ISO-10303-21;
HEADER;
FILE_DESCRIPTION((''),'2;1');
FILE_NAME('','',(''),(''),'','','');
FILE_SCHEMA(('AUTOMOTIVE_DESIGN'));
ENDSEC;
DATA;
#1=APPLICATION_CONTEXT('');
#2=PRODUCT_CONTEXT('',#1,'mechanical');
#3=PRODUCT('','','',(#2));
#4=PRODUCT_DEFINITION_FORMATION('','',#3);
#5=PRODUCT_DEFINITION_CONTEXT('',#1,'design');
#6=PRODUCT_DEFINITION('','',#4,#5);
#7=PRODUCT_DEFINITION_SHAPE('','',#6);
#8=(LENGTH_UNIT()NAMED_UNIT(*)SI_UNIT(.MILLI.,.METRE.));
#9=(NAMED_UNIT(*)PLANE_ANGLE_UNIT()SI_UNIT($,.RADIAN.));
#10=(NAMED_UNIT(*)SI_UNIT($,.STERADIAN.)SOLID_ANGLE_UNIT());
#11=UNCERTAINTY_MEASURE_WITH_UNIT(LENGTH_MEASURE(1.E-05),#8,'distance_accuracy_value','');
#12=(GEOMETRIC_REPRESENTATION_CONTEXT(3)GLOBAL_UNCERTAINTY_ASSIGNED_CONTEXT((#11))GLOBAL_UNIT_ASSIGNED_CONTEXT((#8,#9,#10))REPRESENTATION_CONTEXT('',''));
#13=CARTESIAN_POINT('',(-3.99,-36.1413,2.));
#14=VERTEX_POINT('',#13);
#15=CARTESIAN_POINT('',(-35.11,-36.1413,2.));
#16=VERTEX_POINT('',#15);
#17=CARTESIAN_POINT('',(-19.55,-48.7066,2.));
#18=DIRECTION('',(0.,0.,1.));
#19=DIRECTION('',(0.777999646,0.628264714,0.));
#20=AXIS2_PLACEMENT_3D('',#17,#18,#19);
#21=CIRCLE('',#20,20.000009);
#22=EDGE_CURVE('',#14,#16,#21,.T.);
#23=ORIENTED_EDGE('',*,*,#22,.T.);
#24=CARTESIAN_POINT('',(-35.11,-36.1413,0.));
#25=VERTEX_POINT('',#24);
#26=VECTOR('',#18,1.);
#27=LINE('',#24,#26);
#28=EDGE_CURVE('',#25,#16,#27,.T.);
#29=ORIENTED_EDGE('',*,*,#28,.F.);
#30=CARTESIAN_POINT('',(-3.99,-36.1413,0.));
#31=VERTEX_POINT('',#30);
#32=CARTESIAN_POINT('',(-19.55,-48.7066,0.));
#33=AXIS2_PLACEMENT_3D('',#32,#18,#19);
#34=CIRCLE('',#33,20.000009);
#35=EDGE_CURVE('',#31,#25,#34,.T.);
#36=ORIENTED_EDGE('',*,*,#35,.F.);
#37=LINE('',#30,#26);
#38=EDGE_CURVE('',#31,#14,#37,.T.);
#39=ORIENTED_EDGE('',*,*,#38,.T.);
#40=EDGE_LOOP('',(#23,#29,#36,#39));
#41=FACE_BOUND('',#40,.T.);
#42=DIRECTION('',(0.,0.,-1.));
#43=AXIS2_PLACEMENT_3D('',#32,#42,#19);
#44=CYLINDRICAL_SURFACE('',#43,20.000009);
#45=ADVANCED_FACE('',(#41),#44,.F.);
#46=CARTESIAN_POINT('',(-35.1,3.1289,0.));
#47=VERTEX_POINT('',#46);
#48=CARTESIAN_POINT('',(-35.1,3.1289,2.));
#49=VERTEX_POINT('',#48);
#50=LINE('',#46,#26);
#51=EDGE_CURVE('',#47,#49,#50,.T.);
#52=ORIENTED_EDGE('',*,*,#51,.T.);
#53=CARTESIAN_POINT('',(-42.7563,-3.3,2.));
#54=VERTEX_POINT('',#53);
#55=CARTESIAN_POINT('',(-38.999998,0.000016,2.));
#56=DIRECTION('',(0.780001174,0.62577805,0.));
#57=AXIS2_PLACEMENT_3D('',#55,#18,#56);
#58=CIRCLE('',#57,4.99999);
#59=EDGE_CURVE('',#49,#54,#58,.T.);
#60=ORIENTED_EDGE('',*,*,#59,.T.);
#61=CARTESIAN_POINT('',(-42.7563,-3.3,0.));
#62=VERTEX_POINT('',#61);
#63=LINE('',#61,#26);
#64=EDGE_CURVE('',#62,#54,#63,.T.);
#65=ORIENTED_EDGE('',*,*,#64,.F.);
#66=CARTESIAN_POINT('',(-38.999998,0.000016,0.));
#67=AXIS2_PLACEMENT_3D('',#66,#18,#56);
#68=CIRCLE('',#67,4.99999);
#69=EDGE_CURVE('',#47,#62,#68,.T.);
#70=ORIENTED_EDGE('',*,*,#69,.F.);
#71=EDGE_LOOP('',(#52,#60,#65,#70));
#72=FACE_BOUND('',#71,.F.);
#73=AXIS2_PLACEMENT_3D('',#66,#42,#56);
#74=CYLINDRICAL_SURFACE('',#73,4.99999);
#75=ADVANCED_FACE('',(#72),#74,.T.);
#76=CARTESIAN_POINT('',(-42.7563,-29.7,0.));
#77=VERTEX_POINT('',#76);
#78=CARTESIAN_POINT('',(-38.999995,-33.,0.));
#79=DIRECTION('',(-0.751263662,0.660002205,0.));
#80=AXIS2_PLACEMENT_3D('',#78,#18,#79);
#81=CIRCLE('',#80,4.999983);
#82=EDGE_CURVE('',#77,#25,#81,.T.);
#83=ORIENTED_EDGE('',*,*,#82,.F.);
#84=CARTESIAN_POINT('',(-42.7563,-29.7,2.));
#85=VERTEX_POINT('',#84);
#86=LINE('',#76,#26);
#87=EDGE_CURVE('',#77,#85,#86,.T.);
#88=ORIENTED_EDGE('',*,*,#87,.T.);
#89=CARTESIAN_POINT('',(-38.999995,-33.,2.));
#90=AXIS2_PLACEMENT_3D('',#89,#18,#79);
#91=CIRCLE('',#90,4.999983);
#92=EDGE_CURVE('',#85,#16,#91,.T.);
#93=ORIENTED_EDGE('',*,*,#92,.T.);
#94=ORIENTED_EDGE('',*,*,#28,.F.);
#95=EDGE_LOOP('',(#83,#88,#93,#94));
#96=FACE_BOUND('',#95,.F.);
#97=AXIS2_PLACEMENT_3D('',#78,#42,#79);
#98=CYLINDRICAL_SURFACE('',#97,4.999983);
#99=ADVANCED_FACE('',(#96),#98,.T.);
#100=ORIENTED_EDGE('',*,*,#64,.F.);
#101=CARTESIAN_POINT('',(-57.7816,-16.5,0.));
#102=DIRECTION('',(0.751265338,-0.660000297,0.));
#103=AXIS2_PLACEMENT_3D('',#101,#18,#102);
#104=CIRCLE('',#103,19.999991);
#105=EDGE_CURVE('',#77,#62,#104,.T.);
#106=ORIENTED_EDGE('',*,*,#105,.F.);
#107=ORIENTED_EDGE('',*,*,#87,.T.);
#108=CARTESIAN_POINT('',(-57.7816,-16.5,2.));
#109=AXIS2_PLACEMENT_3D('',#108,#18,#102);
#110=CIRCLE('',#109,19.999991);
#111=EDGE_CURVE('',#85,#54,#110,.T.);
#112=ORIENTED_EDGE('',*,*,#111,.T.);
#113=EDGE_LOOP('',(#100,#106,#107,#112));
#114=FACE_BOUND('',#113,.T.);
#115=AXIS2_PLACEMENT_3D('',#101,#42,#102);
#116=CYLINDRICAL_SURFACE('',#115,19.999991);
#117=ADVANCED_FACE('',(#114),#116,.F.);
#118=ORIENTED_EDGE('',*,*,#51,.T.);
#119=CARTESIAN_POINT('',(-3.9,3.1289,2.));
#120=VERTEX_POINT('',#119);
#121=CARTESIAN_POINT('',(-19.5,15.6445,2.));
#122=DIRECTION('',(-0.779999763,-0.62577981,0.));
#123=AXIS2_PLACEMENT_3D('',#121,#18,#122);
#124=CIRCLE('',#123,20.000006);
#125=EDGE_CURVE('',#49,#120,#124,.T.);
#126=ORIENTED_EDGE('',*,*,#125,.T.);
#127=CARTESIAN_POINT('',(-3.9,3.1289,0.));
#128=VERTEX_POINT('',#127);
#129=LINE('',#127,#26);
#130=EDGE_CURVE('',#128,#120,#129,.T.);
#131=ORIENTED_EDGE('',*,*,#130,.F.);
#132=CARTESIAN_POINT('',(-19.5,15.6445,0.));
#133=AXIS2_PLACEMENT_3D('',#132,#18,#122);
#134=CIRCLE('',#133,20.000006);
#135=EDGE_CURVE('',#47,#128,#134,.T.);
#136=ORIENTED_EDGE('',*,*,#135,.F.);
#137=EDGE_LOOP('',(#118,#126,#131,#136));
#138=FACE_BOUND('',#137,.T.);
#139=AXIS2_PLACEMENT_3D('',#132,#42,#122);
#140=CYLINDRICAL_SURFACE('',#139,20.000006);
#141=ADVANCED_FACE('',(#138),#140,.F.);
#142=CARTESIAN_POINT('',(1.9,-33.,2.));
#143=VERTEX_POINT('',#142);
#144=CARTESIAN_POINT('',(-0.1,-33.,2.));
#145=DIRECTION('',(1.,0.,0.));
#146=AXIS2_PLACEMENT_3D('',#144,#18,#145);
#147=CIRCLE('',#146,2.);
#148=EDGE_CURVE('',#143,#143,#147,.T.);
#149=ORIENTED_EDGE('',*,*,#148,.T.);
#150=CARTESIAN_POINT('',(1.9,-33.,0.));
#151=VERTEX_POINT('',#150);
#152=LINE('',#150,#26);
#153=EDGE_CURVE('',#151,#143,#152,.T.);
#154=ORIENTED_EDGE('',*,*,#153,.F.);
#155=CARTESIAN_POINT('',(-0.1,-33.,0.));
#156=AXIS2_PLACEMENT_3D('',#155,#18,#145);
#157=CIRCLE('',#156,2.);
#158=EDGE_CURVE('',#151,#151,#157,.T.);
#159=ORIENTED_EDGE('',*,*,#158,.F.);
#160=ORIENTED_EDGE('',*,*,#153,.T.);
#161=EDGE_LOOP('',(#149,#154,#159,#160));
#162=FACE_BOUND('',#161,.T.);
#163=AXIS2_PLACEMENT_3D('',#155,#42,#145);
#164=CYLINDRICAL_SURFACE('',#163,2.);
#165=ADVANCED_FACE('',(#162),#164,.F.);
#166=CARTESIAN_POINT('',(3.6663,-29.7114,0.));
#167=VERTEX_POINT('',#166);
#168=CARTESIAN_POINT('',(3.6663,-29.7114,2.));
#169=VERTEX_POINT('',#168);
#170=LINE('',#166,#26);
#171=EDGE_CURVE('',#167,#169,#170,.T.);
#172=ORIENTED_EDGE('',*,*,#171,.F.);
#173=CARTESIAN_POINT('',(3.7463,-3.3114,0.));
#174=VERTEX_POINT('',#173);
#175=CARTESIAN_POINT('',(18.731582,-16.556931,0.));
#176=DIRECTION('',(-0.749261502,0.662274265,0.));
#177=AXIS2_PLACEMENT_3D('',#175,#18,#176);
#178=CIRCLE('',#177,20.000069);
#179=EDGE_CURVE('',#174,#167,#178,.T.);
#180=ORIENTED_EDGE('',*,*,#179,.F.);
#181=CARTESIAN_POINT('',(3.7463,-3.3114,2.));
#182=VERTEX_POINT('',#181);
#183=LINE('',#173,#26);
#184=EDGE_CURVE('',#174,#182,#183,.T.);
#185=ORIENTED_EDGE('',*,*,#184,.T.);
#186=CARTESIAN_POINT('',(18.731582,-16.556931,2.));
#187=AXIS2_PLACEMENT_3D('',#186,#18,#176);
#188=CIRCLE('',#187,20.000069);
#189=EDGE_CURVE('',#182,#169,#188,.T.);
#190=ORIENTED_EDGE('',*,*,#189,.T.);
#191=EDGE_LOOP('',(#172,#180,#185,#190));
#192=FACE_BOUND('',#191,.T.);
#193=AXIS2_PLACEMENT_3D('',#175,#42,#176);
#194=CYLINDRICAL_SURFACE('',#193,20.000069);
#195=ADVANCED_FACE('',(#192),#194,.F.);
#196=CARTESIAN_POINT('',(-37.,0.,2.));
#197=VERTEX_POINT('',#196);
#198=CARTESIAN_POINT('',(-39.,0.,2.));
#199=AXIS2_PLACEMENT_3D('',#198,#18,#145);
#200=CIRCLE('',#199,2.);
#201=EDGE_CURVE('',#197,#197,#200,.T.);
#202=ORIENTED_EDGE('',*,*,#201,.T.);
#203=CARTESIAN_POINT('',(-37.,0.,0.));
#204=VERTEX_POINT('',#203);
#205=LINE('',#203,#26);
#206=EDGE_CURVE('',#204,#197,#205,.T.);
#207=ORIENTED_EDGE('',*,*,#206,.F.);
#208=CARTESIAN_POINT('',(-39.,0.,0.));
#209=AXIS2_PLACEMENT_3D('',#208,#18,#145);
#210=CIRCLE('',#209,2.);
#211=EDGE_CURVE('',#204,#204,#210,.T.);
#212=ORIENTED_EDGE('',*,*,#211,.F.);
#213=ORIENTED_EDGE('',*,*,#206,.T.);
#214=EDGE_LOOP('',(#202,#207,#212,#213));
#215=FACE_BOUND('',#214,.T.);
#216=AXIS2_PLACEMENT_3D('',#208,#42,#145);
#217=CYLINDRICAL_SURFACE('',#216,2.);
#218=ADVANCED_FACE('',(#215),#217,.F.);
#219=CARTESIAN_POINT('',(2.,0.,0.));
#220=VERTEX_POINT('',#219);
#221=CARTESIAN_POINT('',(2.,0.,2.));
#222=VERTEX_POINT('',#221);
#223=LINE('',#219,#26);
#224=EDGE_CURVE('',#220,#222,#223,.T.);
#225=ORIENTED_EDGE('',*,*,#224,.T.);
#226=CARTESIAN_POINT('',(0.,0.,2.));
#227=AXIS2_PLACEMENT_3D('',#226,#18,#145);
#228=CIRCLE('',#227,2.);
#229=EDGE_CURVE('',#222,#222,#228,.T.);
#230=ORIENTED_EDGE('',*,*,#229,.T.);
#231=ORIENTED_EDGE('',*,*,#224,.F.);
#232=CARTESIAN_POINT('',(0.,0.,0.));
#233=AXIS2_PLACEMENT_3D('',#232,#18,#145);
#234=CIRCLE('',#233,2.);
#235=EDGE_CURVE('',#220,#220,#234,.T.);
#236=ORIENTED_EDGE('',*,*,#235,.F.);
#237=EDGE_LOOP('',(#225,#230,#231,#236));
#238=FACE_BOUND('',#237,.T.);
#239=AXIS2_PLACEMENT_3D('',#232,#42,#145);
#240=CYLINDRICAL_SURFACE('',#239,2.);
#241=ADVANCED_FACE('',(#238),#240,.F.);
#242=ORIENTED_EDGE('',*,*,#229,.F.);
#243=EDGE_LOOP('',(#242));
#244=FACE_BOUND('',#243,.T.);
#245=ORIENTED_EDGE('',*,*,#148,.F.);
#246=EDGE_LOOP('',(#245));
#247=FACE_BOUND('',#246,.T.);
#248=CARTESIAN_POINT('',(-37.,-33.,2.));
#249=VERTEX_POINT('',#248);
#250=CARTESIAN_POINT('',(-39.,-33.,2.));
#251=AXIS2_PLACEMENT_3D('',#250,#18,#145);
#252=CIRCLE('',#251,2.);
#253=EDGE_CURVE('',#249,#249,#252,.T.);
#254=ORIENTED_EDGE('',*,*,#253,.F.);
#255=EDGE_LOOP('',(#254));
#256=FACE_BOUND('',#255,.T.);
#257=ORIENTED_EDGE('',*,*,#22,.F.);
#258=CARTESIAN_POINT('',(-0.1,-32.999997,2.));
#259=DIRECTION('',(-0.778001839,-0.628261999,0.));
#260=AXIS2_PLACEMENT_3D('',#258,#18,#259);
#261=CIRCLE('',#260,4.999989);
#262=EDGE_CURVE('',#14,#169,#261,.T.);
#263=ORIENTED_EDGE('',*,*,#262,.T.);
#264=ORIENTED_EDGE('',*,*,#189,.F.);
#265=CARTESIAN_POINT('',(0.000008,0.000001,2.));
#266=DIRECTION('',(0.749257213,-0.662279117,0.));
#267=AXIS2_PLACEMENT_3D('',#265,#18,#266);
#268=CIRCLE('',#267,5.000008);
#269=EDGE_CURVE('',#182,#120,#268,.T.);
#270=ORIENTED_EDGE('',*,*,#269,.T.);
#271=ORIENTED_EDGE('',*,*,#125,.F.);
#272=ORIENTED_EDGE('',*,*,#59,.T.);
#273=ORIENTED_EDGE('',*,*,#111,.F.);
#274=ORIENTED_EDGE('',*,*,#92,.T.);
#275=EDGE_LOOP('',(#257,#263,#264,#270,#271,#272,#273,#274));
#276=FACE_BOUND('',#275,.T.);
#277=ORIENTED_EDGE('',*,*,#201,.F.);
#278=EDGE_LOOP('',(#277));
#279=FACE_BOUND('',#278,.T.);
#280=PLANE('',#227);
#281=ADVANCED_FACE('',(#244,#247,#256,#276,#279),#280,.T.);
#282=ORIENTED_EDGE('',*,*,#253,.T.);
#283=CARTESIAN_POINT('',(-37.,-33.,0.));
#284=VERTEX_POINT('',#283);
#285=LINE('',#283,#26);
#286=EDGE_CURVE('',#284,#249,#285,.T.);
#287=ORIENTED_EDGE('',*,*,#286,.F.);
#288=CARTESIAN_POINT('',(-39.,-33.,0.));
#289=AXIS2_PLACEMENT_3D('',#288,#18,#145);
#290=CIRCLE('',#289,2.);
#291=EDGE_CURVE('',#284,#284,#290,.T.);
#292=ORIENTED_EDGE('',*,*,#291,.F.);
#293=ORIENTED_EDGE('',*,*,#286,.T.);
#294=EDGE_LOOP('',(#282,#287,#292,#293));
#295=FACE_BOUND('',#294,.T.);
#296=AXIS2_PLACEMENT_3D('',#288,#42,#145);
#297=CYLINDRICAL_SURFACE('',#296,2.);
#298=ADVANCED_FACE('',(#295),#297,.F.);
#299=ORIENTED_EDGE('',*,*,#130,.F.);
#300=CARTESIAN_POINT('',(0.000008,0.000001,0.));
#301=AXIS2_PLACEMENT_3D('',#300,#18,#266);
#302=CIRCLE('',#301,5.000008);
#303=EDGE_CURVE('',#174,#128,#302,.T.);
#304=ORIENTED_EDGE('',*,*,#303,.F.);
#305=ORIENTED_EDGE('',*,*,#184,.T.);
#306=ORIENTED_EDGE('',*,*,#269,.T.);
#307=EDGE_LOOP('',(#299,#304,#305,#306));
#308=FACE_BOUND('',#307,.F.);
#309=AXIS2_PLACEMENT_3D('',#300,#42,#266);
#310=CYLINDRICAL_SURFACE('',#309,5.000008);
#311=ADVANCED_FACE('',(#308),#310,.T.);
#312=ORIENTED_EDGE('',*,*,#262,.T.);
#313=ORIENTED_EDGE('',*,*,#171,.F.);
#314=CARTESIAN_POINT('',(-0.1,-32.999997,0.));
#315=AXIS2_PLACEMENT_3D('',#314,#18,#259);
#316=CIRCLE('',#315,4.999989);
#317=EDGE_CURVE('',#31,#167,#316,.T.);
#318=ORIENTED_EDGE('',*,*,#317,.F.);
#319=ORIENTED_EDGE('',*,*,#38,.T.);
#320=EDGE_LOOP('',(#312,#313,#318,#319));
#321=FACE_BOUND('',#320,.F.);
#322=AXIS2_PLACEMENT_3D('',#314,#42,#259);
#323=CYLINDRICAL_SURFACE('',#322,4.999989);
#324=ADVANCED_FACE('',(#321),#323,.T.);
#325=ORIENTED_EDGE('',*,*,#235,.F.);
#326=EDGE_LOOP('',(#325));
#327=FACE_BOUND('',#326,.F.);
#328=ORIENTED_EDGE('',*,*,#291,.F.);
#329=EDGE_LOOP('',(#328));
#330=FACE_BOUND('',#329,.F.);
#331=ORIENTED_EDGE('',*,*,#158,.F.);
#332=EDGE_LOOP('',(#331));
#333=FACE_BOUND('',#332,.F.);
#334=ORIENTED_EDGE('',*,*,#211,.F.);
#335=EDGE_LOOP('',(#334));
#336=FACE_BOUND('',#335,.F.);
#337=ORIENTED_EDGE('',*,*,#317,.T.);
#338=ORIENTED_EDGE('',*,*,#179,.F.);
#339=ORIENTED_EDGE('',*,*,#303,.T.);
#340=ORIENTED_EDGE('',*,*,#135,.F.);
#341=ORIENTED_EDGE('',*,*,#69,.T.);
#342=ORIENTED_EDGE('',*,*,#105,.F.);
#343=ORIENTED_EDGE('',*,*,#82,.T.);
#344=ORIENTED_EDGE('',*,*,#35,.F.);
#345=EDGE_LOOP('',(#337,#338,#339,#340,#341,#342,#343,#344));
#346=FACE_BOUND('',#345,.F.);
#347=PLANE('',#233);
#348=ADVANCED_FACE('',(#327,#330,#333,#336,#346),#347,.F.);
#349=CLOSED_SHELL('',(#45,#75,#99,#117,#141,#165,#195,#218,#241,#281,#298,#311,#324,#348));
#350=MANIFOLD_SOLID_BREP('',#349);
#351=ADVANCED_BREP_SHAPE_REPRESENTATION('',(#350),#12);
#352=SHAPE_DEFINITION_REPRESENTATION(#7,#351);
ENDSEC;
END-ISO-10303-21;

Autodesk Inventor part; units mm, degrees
ref_plane "YZ Plane" through (0, 0, 0) normal (1, 0, 0) x (0, 1, 0)
ref_plane "XZ Plane" through (0, 0, 0) normal (0, 1, 0) x (-1, 0, 0)
ref_plane "XY Plane" through (0, 0, 0) normal (0, 0, 1) x (1, 0, 0)
sketch "Эскиз1" plane through (0, 0, 0) normal (0, 0, 1) x (1, 0, 0)
  circle A0 centre (0, 0) radius 2 projected
  circle A1 centre (-39, 0) radius 2 projected
  arc A2 (-35.1, 3.1289) -> (-42.7563, -3.3) centre (-39, 0) ccw
  arc A3 (-42.7563, -29.7) -> (-35.11, -36.1413) centre (-39, -33) ccw
  arc A4 (3.7463, -3.3114) -> (-3.9, 3.1289) centre (0, 0) ccw
  arc A5 (-3.99, -36.1413) -> (3.6663, -29.7114) centre (-0.1, -33) ccw
  arc A6 (-35.1, 3.1289) -> (-3.9, 3.1289) centre (-19.5, 15.6445) ccw
  arc A7 (3.7463, -3.3114) -> (3.6663, -29.7114) centre (18.7315, -16.5569) ccw
  arc A8 (-42.7563, -29.7) -> (-42.7563, -3.3) centre (-57.7816, -16.5) ccw
  circle A9 centre (-39, -33) radius 2
  circle A10 centre (-0.1, -33) radius 2
  arc A11 (-3.99, -36.1413) -> (-35.11, -36.1413) centre (-19.55, -48.7066) ccw
  point P0 (0, 0)
  dimension "d1" = 5
  dimension "d2" = 20
extrude "Выдавливание1" add sketch "Эскиз1" along normal blind 2
properties part number "ts_holder"
